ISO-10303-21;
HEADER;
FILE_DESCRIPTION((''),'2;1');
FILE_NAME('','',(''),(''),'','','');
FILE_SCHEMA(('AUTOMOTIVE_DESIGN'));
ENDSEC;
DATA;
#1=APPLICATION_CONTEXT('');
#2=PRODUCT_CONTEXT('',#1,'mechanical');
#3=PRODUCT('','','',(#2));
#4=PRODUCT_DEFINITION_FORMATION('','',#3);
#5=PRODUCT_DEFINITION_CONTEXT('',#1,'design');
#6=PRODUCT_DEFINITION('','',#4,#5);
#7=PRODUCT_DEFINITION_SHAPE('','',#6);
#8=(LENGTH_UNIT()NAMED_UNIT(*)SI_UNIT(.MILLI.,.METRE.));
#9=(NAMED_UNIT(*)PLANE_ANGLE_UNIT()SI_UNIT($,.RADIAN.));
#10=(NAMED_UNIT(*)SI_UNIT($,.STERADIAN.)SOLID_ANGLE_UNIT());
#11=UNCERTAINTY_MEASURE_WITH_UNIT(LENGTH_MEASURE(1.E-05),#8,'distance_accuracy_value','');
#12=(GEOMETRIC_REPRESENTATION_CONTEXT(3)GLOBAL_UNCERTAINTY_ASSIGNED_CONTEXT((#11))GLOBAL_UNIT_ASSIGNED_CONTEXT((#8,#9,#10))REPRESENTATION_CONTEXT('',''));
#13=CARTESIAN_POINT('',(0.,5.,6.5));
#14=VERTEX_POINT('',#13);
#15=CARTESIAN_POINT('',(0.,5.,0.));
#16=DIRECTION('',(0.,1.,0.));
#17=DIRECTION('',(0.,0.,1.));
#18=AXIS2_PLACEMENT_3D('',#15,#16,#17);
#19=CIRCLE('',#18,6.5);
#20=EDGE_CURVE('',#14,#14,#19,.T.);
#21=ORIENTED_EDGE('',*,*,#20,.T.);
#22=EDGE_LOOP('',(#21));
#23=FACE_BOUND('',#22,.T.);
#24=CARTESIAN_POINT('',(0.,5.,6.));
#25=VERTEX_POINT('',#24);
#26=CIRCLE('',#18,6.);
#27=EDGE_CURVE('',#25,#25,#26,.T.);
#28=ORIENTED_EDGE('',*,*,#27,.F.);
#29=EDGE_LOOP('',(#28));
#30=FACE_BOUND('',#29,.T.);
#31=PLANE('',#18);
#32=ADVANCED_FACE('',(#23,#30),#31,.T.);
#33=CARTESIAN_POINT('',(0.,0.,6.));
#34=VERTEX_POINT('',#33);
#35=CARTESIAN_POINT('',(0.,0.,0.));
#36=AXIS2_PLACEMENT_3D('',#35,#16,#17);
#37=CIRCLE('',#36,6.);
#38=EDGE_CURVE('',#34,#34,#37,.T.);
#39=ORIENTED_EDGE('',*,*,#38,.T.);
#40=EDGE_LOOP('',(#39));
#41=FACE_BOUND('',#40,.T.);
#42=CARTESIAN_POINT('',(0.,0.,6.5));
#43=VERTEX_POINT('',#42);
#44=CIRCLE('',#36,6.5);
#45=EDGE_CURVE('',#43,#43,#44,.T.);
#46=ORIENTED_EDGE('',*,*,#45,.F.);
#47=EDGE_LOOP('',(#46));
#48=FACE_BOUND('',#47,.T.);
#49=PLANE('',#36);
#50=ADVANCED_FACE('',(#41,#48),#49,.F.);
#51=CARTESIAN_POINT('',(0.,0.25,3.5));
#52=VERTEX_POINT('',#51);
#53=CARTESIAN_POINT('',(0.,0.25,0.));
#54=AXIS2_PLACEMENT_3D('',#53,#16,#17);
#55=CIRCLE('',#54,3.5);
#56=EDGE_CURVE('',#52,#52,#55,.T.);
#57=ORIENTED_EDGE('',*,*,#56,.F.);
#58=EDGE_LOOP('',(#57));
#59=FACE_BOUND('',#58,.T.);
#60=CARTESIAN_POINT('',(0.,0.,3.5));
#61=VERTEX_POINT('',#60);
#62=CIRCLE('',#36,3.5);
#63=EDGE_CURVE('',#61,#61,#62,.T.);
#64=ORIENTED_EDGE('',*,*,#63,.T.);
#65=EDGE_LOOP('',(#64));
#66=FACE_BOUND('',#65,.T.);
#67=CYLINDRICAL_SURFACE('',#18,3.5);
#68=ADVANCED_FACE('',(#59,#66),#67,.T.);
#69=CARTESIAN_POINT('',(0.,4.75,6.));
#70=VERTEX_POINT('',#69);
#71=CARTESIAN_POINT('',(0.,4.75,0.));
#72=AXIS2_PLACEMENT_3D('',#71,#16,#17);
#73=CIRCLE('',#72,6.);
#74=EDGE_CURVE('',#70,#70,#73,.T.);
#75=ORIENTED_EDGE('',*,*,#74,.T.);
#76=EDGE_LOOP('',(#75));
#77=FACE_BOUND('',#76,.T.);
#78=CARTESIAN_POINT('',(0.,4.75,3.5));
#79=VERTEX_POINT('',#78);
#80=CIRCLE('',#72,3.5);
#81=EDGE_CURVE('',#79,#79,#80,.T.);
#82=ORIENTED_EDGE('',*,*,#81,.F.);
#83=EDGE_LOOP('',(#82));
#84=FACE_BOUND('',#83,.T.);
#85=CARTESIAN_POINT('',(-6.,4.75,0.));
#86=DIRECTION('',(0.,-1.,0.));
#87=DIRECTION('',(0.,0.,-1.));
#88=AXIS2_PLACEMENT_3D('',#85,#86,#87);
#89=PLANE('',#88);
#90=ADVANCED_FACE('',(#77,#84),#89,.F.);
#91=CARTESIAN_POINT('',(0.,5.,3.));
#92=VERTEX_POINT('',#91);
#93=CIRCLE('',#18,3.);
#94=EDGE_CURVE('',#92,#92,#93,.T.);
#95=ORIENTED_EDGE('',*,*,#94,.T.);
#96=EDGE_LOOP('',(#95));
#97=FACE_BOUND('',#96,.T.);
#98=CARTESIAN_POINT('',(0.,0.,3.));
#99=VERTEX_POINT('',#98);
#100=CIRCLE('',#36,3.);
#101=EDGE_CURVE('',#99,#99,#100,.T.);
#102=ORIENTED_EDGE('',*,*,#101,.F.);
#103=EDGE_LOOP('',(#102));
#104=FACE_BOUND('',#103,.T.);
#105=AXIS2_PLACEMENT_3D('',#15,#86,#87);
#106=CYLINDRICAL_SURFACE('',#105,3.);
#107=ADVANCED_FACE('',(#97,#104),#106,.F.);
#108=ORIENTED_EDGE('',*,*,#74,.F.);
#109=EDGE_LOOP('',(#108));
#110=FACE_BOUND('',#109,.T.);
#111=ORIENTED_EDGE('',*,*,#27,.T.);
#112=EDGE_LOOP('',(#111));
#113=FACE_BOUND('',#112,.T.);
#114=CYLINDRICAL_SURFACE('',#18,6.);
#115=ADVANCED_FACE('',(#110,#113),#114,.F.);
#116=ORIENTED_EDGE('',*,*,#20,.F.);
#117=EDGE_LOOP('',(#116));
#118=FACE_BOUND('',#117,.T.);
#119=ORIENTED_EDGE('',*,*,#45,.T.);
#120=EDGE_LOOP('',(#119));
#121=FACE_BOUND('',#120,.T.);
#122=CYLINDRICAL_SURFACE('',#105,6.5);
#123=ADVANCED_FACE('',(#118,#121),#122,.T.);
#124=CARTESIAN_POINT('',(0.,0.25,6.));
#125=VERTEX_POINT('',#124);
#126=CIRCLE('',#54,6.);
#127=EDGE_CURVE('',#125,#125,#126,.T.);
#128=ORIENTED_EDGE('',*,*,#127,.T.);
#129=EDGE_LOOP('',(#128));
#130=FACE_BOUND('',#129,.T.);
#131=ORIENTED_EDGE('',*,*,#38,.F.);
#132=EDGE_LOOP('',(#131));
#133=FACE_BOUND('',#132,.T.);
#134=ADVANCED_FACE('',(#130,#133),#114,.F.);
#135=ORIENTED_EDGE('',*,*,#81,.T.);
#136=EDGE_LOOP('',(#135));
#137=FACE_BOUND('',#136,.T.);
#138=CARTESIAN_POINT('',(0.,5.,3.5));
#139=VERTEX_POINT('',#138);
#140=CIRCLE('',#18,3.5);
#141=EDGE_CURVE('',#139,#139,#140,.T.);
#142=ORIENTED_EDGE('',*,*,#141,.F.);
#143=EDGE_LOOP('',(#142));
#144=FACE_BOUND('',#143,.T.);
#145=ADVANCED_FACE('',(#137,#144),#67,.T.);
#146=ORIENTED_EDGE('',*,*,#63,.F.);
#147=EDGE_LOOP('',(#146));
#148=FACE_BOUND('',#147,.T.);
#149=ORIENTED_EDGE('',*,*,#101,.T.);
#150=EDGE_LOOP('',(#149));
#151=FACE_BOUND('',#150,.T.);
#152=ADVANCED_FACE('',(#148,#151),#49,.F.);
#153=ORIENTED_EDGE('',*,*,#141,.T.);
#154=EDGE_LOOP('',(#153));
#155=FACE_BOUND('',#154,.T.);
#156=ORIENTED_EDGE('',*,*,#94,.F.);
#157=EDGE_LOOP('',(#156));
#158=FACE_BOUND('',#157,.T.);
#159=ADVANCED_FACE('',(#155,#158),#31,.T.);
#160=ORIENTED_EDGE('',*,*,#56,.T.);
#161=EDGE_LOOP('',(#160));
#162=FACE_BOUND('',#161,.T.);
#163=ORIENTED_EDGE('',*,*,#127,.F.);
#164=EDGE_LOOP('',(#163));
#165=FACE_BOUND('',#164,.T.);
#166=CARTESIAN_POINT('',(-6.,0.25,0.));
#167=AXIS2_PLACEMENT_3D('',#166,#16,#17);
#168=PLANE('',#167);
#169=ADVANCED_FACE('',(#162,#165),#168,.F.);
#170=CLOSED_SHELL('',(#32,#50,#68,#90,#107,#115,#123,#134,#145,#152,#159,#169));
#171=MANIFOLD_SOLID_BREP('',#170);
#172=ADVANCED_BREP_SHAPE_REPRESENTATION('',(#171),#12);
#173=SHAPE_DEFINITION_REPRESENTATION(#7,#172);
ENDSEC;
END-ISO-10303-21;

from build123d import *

# Parameters (mm, degrees)
SKETCH1_R           = 6.5
SKETCH1_R_2         = 3
BOSS_EXTRUDE1_DEPTH = 5
SKETCH2_W           = 2.5
SKETCH2_H           = 0.25


with BuildPart() as part:
    # Sketch1 → Boss-Extrude1 (new body)
    with BuildSketch(Plane(origin=(0, 0, 0), x_dir=(1, 0, 0), z_dir=(0, 1, 0))):
        with Locations(Location((0, 0, 0), (0, 0, 270))):
            Circle(SKETCH1_R)
        with Locations(Location((0, 0, 0), (0, 0, 270))):
            Circle(SKETCH1_R_2, mode=Mode.SUBTRACT)
    extrude(amount=BOSS_EXTRUDE1_DEPTH)

    # Sketch2 → Cut-Revolve1 (revolve, cut)
    with BuildSketch(Plane.XY, mode=Mode.PRIVATE) as cut_revolve1_sk:
        with Locations((-4.75, 4.875)):
            Rectangle(SKETCH2_W, SKETCH2_H)
        with Locations((-4.75, 0.125)):
            Rectangle(SKETCH2_W, SKETCH2_H)
    revolve(cut_revolve1_sk.sketch.rotate(Axis((0, 5, 0), (0, -1, 0)), 270), axis=Axis((0, 5, 0), (0, -1, 0)), mode=Mode.SUBTRACT)


solid = part.part
